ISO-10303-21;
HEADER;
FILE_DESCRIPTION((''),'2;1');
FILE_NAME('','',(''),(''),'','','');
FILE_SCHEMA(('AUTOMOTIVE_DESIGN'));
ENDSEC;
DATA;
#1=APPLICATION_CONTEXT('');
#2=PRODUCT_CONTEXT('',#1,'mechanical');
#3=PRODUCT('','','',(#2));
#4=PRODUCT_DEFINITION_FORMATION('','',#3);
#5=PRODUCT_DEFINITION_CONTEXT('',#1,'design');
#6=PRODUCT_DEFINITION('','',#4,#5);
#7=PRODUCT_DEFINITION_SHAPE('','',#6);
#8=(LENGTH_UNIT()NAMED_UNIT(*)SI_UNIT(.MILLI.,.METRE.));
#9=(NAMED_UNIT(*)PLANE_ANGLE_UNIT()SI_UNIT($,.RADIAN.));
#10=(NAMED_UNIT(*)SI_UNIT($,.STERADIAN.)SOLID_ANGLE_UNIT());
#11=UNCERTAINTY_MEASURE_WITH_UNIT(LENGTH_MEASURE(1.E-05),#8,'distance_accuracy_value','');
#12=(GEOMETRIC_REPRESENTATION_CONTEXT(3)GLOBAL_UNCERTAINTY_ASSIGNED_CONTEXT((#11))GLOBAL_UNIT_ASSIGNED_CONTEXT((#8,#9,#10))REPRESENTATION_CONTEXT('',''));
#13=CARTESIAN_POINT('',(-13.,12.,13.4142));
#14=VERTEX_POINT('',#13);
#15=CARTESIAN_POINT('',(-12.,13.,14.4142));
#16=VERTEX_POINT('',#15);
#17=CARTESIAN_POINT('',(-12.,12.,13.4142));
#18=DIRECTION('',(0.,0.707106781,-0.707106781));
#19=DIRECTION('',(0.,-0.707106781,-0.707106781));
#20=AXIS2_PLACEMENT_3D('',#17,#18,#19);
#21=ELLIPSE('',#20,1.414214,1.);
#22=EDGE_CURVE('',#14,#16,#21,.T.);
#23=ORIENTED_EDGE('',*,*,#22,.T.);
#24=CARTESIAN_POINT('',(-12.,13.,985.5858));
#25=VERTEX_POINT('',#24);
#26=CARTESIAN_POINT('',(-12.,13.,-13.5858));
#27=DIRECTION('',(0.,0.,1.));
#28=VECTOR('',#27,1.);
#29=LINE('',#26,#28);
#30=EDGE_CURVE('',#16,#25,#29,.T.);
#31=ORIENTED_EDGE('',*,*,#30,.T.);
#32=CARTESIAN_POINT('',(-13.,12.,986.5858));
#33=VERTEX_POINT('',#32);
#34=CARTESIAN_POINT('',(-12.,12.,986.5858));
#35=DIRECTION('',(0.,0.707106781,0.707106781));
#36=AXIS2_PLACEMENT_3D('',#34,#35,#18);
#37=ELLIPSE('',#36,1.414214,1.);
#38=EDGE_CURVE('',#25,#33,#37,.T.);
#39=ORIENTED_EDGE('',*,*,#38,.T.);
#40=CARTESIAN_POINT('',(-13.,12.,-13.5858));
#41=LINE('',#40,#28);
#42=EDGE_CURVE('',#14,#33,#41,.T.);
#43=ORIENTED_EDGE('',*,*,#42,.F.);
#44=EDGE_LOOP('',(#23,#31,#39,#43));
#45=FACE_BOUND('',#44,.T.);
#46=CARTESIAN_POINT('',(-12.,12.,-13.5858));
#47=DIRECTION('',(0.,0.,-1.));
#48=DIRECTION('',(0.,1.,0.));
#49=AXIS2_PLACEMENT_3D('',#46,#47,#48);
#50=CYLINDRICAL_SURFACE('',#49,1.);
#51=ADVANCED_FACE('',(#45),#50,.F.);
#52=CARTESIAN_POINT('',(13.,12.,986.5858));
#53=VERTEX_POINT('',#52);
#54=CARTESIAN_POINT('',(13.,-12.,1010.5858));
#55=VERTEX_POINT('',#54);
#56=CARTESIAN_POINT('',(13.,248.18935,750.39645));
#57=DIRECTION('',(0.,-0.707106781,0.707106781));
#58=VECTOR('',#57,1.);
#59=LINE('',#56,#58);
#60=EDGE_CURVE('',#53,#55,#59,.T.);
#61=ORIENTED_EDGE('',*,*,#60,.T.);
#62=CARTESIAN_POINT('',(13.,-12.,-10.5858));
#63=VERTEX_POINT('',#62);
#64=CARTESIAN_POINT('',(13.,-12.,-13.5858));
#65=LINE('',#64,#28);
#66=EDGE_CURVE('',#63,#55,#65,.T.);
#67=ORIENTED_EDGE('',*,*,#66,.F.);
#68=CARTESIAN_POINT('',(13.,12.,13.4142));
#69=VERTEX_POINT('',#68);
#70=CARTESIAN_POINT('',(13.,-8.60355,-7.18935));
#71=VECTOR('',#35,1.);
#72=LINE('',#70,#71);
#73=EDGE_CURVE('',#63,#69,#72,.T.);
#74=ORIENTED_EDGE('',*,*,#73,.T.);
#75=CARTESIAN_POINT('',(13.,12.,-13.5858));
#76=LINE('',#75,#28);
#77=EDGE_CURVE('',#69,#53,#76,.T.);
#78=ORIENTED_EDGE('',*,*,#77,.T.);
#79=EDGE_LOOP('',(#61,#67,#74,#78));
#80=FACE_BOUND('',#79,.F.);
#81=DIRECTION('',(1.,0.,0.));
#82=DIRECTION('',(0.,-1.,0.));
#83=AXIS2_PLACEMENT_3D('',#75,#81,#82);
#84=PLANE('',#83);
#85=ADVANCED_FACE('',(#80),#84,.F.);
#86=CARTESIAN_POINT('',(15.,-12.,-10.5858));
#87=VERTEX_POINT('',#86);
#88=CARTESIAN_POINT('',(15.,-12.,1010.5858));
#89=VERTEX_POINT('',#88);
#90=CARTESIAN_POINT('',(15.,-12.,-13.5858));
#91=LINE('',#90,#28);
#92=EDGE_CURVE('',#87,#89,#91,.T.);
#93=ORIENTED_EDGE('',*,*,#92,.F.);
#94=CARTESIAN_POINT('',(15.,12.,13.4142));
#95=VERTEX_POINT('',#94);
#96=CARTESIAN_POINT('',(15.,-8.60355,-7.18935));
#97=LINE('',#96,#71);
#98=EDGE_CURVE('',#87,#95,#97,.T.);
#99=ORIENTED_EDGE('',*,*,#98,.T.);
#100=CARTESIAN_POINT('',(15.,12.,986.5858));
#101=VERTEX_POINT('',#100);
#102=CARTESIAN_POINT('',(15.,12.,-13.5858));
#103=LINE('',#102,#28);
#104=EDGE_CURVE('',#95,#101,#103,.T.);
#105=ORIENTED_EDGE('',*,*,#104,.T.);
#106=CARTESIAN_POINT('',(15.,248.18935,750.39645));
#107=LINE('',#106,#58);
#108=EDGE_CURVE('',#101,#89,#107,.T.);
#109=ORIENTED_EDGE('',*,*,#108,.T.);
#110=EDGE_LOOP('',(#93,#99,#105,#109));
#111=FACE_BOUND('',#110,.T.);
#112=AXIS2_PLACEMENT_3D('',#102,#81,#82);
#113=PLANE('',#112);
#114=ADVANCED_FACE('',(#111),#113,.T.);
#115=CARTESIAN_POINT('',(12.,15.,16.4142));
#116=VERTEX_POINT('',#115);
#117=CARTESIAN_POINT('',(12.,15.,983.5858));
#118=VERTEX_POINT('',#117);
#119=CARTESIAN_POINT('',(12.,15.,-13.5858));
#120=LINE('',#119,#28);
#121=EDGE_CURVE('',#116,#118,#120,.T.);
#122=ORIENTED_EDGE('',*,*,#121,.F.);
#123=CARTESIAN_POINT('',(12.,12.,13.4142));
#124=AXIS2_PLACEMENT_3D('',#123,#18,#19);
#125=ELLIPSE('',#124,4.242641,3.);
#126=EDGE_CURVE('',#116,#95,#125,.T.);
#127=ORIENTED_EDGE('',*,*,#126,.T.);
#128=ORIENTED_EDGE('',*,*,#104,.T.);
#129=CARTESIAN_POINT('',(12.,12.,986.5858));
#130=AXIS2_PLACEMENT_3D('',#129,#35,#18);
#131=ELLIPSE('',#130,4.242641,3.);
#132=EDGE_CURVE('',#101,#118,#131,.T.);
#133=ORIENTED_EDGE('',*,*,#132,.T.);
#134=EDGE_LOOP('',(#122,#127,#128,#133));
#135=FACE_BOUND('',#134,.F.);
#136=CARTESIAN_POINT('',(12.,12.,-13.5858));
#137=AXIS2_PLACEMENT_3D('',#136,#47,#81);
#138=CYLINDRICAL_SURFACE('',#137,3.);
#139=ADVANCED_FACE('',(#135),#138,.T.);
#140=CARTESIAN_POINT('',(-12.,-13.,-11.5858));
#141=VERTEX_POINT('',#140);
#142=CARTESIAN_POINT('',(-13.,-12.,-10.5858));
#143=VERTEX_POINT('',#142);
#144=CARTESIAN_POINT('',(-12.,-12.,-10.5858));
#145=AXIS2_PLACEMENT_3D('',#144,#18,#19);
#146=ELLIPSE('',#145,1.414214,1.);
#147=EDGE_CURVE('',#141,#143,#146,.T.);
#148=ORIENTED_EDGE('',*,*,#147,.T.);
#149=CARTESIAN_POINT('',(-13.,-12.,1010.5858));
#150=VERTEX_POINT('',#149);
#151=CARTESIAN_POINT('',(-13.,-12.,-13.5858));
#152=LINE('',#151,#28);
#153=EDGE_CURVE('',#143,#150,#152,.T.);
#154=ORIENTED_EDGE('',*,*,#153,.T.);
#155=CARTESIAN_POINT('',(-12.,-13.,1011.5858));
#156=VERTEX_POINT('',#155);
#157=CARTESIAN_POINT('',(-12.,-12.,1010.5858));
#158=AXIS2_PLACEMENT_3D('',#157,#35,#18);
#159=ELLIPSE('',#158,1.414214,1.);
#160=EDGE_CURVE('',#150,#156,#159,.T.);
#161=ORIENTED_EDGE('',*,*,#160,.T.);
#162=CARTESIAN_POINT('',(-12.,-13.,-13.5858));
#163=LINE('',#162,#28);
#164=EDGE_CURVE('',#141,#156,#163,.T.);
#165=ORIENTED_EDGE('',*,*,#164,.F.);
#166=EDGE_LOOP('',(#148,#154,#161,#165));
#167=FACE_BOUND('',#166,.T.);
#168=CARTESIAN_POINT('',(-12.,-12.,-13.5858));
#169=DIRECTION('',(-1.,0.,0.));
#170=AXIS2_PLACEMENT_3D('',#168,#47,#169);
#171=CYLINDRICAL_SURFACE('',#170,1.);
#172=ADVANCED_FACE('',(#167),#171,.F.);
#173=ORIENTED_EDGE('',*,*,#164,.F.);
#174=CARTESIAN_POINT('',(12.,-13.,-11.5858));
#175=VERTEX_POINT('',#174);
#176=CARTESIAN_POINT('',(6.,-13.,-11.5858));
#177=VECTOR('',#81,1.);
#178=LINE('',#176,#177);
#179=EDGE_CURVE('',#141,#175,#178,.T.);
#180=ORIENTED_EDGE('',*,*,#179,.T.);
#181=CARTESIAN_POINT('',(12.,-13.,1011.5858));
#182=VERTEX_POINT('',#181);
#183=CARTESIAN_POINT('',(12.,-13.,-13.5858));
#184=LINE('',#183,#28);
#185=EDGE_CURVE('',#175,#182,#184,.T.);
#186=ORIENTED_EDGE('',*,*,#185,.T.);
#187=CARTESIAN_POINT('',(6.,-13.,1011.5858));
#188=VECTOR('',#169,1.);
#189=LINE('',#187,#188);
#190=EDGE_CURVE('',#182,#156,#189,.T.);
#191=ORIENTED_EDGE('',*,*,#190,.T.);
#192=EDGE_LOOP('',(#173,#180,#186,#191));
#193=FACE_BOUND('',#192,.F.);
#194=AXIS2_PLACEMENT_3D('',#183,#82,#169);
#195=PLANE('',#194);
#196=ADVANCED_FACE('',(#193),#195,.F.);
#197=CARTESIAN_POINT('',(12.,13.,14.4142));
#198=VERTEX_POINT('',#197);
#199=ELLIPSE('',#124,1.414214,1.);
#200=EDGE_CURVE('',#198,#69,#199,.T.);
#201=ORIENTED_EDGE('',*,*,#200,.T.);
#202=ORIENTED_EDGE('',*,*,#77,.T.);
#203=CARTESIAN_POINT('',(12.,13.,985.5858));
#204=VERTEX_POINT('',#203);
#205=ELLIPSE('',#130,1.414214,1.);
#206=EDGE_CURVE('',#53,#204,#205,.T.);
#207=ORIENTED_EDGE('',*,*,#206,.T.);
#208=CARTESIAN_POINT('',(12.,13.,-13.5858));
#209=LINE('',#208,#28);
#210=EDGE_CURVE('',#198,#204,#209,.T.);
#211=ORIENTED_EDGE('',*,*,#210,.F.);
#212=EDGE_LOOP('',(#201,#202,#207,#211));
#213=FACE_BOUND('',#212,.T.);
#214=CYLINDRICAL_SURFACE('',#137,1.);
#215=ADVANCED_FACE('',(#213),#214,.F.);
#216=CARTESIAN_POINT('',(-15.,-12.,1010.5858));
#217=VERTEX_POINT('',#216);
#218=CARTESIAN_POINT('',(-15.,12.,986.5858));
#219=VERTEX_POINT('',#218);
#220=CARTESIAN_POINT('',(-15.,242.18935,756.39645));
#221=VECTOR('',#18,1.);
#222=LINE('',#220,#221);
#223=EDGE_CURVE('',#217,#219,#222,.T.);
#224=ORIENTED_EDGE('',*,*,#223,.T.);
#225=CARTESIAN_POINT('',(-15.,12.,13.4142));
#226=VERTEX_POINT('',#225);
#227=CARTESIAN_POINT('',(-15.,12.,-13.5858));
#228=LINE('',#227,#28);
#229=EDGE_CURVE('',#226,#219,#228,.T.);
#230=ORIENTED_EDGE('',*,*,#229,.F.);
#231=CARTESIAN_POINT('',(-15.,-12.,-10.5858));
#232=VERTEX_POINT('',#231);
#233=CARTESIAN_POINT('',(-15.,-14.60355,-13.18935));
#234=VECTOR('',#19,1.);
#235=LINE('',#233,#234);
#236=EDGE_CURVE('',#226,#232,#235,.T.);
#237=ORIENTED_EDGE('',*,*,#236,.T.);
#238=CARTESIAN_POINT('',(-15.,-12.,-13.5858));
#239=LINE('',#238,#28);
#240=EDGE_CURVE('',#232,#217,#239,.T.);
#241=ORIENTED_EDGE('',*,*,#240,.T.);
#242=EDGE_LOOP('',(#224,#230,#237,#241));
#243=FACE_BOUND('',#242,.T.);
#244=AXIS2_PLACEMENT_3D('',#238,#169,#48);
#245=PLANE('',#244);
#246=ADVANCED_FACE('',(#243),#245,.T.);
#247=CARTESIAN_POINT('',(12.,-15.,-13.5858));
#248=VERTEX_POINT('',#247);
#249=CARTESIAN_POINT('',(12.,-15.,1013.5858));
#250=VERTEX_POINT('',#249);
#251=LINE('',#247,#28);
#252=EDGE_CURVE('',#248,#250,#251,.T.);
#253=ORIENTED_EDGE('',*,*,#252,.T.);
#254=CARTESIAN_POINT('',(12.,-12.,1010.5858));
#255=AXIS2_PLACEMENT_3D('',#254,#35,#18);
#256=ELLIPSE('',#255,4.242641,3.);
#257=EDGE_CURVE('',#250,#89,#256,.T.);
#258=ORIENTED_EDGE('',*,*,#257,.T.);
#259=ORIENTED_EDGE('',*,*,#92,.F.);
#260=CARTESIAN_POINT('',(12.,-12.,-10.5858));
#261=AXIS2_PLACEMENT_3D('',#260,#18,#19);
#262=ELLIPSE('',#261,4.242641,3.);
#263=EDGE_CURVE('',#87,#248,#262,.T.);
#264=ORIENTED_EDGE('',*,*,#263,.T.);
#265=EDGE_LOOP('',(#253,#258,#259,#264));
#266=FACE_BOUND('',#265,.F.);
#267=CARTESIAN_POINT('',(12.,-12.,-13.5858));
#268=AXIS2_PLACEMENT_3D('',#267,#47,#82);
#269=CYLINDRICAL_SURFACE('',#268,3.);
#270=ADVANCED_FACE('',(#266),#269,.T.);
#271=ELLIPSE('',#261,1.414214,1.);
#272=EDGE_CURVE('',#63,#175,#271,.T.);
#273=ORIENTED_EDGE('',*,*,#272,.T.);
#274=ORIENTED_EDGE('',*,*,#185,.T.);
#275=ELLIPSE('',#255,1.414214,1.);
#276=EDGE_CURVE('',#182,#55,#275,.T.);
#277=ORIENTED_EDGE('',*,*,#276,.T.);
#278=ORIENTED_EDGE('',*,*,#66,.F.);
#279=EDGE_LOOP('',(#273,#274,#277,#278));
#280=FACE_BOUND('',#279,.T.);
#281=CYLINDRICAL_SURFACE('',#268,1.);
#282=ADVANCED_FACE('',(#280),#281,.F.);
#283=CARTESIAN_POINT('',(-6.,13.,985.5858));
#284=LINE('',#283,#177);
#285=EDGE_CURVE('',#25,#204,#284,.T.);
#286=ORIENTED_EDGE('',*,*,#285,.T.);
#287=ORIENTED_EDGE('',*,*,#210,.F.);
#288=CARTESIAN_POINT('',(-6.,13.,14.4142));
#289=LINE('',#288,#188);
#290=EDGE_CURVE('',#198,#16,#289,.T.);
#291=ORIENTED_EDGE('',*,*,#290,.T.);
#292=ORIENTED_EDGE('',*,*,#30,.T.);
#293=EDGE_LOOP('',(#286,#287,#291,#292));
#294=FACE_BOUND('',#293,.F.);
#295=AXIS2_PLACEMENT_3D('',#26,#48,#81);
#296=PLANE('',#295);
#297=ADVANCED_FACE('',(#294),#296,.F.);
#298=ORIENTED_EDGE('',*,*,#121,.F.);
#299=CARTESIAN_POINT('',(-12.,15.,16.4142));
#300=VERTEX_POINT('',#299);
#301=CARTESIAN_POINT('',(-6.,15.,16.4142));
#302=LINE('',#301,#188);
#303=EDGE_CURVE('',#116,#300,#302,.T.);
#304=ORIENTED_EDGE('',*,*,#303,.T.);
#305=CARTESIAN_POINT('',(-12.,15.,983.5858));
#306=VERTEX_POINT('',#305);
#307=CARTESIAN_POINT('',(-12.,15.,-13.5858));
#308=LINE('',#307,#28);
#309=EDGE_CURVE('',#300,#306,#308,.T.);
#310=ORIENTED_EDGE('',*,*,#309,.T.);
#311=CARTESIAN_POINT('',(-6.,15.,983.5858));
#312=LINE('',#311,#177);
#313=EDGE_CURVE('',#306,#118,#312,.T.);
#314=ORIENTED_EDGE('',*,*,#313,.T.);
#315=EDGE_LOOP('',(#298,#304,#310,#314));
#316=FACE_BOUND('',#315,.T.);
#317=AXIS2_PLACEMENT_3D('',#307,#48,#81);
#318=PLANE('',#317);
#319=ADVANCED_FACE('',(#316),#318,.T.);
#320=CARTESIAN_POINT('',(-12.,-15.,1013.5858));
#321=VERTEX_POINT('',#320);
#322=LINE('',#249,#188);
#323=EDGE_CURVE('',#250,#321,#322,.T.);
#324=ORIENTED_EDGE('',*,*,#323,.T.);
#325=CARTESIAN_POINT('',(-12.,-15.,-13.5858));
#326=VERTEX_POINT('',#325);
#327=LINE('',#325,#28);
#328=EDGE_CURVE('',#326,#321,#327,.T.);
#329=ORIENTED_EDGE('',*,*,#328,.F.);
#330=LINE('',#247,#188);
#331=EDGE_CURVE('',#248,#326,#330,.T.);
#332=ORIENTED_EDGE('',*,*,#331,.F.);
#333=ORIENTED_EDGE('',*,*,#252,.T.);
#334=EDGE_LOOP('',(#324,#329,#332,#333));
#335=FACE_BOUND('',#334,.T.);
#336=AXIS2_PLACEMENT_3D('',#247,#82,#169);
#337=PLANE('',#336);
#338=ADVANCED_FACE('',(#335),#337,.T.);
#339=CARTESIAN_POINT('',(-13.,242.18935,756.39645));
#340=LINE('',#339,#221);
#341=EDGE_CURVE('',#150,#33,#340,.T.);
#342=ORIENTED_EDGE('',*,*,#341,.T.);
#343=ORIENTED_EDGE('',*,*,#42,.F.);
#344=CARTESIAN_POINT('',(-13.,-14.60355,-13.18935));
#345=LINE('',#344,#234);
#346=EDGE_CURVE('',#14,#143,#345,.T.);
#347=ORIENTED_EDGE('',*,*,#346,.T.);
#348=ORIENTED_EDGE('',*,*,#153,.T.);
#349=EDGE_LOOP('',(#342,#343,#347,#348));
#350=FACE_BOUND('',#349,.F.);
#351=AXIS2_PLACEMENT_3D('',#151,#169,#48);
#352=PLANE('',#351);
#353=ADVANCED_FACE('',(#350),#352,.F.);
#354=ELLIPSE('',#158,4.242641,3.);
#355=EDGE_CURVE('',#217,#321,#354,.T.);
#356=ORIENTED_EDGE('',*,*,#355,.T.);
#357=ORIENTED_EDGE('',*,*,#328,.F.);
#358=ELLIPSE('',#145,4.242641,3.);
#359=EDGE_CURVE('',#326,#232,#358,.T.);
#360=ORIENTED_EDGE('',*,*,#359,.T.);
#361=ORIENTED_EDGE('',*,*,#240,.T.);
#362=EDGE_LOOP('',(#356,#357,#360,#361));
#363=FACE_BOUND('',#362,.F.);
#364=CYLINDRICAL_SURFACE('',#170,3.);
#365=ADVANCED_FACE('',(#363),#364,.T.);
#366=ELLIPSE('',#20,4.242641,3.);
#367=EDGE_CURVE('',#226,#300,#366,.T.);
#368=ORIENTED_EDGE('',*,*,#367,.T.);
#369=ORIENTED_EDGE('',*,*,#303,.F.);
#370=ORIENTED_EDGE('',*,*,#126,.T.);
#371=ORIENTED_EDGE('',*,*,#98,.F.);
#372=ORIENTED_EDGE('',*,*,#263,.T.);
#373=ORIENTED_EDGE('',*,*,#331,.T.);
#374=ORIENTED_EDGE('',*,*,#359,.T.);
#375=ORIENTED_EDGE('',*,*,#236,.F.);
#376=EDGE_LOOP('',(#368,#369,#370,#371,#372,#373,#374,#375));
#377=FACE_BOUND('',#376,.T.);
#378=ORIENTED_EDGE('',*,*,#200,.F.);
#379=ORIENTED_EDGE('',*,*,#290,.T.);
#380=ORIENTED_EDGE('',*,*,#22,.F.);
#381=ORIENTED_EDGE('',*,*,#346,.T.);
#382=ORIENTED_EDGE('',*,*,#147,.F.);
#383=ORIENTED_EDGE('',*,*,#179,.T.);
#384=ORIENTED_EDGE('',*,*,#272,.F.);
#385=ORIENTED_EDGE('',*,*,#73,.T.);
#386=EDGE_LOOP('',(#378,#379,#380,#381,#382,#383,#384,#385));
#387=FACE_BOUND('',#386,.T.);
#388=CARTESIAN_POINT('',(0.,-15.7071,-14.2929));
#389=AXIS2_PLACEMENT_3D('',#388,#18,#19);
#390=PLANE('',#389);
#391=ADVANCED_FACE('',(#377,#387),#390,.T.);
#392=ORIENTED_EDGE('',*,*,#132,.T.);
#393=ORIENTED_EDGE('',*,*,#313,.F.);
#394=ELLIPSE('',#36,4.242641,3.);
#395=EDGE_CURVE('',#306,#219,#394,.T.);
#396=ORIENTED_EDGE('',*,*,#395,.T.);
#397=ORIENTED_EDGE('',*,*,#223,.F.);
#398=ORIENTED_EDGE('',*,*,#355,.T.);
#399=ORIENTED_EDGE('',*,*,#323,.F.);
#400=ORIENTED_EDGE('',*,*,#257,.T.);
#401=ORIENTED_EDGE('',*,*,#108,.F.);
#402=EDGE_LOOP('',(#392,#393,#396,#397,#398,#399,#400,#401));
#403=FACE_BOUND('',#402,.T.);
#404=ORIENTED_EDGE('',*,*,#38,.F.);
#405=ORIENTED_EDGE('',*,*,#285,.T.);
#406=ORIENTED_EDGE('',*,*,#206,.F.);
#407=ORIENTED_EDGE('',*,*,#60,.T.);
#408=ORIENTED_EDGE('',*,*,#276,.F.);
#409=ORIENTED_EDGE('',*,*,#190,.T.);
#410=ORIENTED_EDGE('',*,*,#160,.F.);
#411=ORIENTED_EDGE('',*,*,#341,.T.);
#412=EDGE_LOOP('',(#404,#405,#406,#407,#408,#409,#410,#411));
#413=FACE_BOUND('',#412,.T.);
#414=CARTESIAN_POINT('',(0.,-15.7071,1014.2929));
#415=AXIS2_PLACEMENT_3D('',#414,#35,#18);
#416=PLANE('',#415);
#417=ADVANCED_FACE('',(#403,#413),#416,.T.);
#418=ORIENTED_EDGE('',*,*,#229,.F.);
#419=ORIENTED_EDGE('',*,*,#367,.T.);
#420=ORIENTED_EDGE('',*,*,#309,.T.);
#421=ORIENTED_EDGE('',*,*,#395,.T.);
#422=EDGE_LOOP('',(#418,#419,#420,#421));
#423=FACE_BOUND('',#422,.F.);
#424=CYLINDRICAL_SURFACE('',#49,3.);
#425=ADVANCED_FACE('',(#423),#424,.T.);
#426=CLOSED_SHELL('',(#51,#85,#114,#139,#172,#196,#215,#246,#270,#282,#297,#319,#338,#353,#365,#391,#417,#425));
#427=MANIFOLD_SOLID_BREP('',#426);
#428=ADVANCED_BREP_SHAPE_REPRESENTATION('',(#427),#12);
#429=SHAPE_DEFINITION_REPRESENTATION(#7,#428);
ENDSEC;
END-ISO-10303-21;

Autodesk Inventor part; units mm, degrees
ref_plane "Start Plane" through (0, 0, -13.5858) normal (0, 0, 1) x (1, 0, 0)
ref_plane "End Plane" through (0, 0, 1013.5858) normal (0, 0, 1) x (1, 0, 0)
sketch "Sketch" plane through (0, 0, 0) normal (0, 0, 1) x (1, 0, 0)
  line L0 (-15, -12) -> (-15, 12)
  line L1 (-12, 15) -> (12, 15)
  line L2 (15, 12) -> (15, -12)
  line L3 (12, -15) -> (-12, -15)
  arc A0 (-15, -12) -> (-12, -15) centre (-12, -12) ccw
  arc A1 (-12, 15) -> (-15, 12) centre (-12, 12) ccw
  arc A2 (15, 12) -> (12, 15) centre (12, 12) ccw
  arc A3 (12, -15) -> (15, -12) centre (12, -12) ccw
  arc A4 (-12, 13) -> (-13, 12) centre (-12, 12) ccw
  line L4 (-12, 13) -> (12, 13)
  arc A5 (13, 12) -> (12, 13) centre (12, 12) ccw
  line L5 (13, 12) -> (13, -12)
  arc A6 (12, -13) -> (13, -12) centre (12, -12) ccw
  line L6 (12, -13) -> (-12, -13)
  arc A7 (-13, -12) -> (-12, -13) centre (-12, -12) ccw
  line L7 (-13, -12) -> (-13, 12)
  line L8 (0, 21.8698) -> (0, -21.8698) construction
  line L9 (-21.8698, 0) -> (21.8698, 0) construction
  dimension "d7" = 3
  dimension "d10" = 30
  dimension "d11" = 30
  dimension "d12" = 2
  dimension "d15" = 15
  dimension "d16" = 15
extrude "Body" add sketch "Sketch" along normal up to surface (1027.1716 mm away) from surface at -13.5858
sketch "Sketch3" plane through (0, 0, 0) normal (0, 0, 1) x (1, 0, 0)
  line L0 (0, 0) -> (10, 0)
ref_plane "Work Plane3" through (0, 0, 0) normal (0, -1, 0) x (1, 0, 0)
ref_plane "Work Plane4" through (0, -15.7071, 1014.2929) normal (0, 0.7071, 0.7071) x (1, 0, 0)
split "Split1" plane through (0, -15.7071, 1014.2929) removes the side toward (0, 0.7071, 0.7071)
ref_plane "Work Plane5" through (0, -15.7071, -14.2929) normal (0, 0.7071, -0.7071) x (1, 0, 0)
split "Split2" plane through (0, -15.7071, -14.2929) removes the side toward (0, 0.7071, -0.7071)
sketch "Sketch4" plane through (0, 0, 0) normal (0, -1, 0) x (1, 0, 0)
  line L0 (-2, -13.5858) -> (12, -13.5858) projected
  line L1 (-2, 1013.5858) -> (12, 1013.5858) projected
  dimension "d18" = 1027.1716
equation "\"d7\" = G_IR"
equation "\"d10\" = G_H"
equation "\"d11\" = G_W"
equation "\"d12\" = G_T"
equation "\"d15\" = 0.5 * d10"
equation "\"d16\" = 0.5 * d11"
equation "\"d3\" = G_L"
equation "\"G_W\" = 30"
equation "\"G_H\" = 30"
equation "\"G_T\" = 2"
equation "\"G_IR\" = 3"
equation "\"G_L\" = d18"
equation "\"G_OFFSET_START\" = 13.58579"
equation "\"G_OFFSET_END\" = 13.58579"
equation "\"d13\" = -G_OFFSET_START"
equation "\"d14\" = G_OFFSET_END + B_L"
equation "\"B_L\" = 1000"
properties part number "ISO 12633-2 - 30x30x2 - 1027,17" material "Steel, Mild"
